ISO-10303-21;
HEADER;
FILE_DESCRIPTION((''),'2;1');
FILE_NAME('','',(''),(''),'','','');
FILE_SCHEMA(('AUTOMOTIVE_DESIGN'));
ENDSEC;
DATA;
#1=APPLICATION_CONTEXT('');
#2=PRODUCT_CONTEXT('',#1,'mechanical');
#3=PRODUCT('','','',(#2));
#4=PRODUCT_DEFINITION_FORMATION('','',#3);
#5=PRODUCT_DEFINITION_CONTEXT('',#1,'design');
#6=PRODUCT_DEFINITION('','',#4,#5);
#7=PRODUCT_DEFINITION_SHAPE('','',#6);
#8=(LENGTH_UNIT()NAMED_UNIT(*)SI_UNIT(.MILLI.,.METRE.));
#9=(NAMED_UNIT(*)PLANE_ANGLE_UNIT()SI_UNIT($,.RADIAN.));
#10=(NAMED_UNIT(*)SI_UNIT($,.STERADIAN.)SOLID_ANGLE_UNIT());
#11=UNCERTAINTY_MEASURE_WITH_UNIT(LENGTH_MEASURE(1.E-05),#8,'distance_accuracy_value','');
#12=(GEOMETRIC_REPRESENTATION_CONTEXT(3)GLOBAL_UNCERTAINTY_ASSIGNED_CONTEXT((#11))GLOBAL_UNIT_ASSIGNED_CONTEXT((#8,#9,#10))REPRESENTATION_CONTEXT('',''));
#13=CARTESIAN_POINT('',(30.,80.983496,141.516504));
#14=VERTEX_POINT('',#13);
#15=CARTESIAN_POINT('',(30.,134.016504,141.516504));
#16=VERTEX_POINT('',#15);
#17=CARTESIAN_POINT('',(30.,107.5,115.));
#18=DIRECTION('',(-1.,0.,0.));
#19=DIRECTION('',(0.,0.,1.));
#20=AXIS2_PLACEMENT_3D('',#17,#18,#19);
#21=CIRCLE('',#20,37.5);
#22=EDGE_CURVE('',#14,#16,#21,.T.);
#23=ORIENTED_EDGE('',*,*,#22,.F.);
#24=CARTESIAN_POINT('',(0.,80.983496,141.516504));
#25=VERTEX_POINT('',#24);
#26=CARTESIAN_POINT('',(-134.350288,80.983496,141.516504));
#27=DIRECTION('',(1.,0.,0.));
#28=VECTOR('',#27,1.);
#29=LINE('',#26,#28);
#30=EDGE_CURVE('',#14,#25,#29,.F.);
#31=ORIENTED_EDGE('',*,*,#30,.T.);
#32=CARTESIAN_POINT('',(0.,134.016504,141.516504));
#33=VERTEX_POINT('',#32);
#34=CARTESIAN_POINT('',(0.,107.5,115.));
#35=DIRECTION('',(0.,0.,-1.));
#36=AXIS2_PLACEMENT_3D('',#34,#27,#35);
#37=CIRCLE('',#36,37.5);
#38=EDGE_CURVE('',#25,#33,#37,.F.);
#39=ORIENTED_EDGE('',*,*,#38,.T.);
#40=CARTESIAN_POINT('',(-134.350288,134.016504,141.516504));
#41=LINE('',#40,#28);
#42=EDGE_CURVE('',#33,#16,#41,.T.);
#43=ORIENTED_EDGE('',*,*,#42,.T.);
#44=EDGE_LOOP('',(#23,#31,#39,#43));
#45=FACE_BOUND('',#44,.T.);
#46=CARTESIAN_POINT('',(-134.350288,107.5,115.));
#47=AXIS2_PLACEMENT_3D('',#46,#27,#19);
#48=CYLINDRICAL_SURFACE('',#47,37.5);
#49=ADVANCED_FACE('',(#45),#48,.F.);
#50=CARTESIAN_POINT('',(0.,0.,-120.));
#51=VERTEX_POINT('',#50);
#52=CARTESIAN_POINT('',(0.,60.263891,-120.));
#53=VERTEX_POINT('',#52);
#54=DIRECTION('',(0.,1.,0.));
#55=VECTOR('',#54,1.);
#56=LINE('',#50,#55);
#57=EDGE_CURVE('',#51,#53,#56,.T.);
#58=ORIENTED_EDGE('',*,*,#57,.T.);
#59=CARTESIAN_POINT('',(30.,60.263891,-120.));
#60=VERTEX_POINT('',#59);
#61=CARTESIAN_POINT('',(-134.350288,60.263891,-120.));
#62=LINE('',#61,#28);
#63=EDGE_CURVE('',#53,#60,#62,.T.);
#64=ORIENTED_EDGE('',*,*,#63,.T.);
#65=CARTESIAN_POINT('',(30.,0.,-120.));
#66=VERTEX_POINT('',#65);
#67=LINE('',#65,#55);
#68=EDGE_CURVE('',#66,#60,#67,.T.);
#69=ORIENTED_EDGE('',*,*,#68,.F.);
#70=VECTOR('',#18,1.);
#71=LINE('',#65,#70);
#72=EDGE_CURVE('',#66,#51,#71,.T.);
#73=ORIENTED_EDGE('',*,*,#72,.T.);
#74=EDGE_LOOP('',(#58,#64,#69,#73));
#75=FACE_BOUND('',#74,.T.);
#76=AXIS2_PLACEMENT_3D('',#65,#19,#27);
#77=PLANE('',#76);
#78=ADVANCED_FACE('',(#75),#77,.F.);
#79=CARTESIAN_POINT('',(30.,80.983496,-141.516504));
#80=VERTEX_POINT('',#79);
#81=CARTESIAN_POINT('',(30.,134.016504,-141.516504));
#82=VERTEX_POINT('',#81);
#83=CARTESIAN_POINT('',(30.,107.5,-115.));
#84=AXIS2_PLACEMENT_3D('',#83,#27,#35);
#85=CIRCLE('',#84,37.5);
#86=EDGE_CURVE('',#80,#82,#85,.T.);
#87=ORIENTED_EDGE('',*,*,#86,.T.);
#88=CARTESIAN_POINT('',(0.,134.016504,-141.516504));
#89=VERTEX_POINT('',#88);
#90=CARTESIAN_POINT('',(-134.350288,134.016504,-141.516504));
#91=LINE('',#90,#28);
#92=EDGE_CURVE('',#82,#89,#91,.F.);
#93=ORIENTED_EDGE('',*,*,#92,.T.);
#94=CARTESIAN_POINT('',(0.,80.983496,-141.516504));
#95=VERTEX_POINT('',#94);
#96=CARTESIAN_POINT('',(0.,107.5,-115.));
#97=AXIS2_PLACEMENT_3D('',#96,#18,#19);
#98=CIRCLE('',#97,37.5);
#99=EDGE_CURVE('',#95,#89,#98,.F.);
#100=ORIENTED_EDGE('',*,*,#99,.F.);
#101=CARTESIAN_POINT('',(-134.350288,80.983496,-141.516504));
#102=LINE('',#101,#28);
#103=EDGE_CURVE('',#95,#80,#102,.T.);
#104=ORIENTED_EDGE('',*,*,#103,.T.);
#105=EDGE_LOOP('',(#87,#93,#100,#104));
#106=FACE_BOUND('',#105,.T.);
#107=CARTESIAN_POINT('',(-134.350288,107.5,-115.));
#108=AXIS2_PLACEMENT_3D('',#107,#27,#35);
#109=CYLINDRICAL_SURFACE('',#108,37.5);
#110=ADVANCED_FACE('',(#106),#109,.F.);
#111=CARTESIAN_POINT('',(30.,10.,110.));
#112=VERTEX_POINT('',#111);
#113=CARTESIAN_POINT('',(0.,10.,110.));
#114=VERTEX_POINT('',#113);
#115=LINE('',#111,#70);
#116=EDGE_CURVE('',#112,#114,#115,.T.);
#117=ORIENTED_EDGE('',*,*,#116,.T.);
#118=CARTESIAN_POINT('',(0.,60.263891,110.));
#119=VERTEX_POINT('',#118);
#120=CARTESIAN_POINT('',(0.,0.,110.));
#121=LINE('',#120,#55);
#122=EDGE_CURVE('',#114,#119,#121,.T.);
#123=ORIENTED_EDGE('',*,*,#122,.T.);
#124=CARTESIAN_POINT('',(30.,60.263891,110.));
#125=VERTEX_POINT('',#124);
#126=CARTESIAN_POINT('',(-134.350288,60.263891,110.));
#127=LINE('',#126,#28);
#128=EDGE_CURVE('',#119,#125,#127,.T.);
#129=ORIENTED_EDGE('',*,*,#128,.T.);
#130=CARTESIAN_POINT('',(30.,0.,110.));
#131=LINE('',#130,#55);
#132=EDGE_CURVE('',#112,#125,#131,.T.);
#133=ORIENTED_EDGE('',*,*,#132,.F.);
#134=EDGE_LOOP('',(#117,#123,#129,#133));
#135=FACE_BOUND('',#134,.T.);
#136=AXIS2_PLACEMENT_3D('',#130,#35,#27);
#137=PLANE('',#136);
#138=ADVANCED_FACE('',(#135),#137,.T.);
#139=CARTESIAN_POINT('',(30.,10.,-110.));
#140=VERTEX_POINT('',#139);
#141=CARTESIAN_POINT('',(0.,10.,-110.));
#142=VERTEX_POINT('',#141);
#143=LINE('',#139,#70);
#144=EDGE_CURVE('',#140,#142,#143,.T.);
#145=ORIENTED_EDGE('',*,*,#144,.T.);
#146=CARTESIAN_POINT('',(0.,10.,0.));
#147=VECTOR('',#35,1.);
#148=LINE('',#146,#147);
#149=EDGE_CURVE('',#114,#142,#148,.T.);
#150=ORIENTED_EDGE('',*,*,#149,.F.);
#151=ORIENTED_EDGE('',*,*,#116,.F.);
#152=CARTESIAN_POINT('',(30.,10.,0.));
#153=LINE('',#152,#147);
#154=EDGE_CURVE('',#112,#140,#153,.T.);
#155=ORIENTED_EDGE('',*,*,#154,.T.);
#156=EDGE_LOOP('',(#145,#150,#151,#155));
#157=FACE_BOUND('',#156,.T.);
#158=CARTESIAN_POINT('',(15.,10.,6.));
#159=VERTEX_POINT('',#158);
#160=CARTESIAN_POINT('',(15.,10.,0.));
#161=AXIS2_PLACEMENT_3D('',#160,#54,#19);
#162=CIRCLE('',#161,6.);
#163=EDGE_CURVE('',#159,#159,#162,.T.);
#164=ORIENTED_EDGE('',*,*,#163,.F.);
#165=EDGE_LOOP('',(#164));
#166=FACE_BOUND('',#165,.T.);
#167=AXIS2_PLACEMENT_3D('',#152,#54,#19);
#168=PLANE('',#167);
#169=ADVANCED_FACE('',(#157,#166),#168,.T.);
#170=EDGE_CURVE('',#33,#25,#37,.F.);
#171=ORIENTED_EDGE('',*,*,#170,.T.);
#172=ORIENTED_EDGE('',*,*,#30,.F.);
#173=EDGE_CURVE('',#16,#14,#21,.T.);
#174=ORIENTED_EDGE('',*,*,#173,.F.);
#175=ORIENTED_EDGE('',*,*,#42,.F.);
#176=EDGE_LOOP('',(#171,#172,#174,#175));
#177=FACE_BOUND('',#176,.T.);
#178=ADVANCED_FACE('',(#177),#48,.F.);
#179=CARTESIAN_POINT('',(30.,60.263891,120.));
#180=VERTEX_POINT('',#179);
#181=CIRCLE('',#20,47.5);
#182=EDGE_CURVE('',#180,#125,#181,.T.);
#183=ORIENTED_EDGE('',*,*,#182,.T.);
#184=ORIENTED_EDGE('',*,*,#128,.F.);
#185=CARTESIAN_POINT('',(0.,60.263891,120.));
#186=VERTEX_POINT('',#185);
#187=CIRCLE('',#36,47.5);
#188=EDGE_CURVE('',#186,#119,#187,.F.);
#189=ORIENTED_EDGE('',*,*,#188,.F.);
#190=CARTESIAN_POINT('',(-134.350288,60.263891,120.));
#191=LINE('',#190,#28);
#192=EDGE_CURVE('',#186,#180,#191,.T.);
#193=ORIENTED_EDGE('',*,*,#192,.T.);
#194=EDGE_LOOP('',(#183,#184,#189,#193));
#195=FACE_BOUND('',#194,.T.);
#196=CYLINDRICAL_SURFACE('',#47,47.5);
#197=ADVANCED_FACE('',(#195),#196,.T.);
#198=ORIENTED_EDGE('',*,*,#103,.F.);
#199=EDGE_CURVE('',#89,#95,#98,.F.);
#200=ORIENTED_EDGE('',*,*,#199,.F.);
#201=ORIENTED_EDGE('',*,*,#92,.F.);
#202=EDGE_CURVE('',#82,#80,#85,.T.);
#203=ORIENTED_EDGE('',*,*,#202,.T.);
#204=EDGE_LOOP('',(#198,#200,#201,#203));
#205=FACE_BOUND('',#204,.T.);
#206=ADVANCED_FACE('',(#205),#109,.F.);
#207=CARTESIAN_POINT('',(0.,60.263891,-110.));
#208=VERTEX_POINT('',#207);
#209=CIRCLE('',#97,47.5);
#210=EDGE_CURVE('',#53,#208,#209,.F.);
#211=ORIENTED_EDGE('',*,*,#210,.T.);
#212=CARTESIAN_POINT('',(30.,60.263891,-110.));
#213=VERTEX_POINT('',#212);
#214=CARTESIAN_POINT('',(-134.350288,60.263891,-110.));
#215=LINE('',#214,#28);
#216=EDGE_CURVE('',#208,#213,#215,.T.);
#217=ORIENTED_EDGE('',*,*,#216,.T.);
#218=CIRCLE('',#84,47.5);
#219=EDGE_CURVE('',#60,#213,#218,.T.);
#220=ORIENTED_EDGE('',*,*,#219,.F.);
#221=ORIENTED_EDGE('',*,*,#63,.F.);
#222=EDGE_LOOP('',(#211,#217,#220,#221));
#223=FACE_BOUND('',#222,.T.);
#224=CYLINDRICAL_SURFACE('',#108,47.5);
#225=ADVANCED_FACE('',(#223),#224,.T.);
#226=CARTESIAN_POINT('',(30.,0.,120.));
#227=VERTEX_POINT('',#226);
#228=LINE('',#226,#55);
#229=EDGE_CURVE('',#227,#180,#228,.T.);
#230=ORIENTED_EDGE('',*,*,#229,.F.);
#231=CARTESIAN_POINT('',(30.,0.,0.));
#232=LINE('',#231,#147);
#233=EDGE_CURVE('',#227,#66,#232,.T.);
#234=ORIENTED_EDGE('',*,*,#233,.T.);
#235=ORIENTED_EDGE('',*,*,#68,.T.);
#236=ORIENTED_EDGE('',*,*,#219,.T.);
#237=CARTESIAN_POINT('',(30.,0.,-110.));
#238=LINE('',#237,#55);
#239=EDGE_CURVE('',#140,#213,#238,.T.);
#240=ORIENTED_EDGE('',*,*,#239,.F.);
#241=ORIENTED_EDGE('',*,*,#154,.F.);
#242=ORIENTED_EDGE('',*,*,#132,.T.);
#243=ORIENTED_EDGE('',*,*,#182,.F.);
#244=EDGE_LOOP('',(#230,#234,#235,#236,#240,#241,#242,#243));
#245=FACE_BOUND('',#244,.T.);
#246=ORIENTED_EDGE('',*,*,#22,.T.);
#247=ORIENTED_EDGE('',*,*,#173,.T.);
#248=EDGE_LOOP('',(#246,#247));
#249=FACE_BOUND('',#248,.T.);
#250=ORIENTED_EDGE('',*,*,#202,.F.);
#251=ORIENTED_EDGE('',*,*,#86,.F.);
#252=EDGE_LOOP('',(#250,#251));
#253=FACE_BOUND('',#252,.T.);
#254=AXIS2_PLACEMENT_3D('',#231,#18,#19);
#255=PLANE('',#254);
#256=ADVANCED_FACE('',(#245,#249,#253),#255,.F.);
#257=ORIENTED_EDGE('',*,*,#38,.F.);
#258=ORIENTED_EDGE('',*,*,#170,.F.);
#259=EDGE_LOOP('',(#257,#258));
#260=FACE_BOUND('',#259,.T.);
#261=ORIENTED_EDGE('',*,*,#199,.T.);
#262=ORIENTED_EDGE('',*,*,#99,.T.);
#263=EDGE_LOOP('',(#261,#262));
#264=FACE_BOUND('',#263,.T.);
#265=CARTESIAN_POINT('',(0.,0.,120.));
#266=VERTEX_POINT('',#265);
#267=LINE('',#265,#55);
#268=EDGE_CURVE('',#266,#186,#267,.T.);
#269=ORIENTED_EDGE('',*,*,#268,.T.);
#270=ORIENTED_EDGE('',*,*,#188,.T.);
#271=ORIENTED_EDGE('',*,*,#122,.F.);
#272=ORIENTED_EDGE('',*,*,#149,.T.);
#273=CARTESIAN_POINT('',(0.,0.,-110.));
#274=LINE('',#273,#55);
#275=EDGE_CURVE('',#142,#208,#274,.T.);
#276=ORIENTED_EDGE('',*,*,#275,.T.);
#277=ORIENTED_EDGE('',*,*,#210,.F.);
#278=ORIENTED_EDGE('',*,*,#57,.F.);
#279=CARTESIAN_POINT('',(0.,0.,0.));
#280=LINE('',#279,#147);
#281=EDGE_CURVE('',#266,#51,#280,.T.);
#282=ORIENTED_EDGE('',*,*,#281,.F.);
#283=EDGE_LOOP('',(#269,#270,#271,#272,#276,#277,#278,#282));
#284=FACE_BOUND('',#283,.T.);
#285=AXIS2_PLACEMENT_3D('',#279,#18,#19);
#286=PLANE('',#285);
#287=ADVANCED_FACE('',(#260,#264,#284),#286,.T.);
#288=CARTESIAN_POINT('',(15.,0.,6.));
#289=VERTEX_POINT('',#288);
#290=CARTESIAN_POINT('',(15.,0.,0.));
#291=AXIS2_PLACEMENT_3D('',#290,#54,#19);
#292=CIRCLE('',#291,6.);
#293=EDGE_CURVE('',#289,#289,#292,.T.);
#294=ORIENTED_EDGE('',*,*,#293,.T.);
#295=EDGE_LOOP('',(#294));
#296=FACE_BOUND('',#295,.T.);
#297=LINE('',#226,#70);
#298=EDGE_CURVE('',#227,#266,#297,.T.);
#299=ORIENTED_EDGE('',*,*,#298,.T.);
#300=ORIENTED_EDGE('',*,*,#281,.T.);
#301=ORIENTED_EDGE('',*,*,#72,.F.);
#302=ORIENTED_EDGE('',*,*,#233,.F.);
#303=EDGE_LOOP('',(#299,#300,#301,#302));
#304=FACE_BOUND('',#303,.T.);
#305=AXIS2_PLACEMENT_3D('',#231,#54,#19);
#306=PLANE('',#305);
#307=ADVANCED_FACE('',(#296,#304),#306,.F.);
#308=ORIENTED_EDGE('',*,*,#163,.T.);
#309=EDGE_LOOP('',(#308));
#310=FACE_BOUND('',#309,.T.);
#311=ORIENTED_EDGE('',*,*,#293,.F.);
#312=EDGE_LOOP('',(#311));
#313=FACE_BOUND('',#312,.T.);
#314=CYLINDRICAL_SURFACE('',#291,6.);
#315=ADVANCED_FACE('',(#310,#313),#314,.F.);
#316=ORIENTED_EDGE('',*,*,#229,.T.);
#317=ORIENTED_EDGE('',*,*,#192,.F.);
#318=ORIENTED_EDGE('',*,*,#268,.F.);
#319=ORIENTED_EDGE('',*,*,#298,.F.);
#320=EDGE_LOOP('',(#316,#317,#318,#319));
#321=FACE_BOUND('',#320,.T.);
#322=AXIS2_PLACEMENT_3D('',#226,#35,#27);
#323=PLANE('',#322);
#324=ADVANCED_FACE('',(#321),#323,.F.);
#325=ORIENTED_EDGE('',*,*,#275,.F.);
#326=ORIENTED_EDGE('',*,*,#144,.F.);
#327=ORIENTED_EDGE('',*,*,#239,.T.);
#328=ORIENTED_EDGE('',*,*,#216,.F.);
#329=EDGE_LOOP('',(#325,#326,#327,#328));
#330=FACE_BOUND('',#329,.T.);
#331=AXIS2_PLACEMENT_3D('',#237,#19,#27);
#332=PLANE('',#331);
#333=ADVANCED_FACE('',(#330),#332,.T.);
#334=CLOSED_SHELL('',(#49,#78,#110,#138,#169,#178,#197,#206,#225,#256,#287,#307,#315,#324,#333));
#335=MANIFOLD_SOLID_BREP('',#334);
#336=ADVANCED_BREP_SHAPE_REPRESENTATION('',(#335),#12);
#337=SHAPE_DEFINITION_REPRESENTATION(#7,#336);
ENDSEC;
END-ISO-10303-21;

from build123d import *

# Parameters (mm, degrees)
EXTRUDE_THIN2_DEPTH     = 30
SKETCH2_R               = 47.5
SKETCH2_R_2             = 37.5
EXTRUDE_THIN3_DEPTH     = 30
SKETCH3_R               = 6
CUT_EXTRUDE1_DEPTH      = 146
CUT_EXTRUDE1_DEPTH_BACK = 11


with BuildPart() as part:
    # Sketch1 → Extrude-Thin2 (new body)
    with BuildSketch(Plane(origin=(0, 0, 0), x_dir=(0, 0, -1), z_dir=(1, 0, 0))):
        Polygon((0, 0), (120, 0), (120, 70), (110, 70), (110, 10), (0, 10), align=None)
    extrude(amount=EXTRUDE_THIN2_DEPTH)

    # Sketch2 → Extrude-Thin3 (add)
    with BuildSketch(Plane(origin=(30, 0, 0), x_dir=(0, 0, -1), z_dir=(1, 0, 0))):
        with Locations((115, 107.5)):
            Circle(SKETCH2_R)
        with Locations((115, 107.5)):
            Circle(SKETCH2_R_2, mode=Mode.SUBTRACT)
    extrude(amount=-EXTRUDE_THIN3_DEPTH)

    # Mirror1: part across plane


with BuildPart() as part_1:
    add(part.part)
    add(part.part.mirror(Plane(origin=(30, 0, 0), x_dir=(1, 0, 0), z_dir=(0, 0, 1))))

    # Sketch3 → Cut-Extrude1 (cut, two sides)
    with BuildSketch(Plane(origin=(0, 10, 0), x_dir=(1, 0, 0), z_dir=(0, 1, 0))) as cut_extrude1_sk:
        with Locations((15, 0)):
            Circle(SKETCH3_R)
    extrude(amount=CUT_EXTRUDE1_DEPTH, mode=Mode.SUBTRACT)
    extrude(cut_extrude1_sk.sketch, amount=-CUT_EXTRUDE1_DEPTH_BACK, mode=Mode.SUBTRACT)


solid = part_1.part
